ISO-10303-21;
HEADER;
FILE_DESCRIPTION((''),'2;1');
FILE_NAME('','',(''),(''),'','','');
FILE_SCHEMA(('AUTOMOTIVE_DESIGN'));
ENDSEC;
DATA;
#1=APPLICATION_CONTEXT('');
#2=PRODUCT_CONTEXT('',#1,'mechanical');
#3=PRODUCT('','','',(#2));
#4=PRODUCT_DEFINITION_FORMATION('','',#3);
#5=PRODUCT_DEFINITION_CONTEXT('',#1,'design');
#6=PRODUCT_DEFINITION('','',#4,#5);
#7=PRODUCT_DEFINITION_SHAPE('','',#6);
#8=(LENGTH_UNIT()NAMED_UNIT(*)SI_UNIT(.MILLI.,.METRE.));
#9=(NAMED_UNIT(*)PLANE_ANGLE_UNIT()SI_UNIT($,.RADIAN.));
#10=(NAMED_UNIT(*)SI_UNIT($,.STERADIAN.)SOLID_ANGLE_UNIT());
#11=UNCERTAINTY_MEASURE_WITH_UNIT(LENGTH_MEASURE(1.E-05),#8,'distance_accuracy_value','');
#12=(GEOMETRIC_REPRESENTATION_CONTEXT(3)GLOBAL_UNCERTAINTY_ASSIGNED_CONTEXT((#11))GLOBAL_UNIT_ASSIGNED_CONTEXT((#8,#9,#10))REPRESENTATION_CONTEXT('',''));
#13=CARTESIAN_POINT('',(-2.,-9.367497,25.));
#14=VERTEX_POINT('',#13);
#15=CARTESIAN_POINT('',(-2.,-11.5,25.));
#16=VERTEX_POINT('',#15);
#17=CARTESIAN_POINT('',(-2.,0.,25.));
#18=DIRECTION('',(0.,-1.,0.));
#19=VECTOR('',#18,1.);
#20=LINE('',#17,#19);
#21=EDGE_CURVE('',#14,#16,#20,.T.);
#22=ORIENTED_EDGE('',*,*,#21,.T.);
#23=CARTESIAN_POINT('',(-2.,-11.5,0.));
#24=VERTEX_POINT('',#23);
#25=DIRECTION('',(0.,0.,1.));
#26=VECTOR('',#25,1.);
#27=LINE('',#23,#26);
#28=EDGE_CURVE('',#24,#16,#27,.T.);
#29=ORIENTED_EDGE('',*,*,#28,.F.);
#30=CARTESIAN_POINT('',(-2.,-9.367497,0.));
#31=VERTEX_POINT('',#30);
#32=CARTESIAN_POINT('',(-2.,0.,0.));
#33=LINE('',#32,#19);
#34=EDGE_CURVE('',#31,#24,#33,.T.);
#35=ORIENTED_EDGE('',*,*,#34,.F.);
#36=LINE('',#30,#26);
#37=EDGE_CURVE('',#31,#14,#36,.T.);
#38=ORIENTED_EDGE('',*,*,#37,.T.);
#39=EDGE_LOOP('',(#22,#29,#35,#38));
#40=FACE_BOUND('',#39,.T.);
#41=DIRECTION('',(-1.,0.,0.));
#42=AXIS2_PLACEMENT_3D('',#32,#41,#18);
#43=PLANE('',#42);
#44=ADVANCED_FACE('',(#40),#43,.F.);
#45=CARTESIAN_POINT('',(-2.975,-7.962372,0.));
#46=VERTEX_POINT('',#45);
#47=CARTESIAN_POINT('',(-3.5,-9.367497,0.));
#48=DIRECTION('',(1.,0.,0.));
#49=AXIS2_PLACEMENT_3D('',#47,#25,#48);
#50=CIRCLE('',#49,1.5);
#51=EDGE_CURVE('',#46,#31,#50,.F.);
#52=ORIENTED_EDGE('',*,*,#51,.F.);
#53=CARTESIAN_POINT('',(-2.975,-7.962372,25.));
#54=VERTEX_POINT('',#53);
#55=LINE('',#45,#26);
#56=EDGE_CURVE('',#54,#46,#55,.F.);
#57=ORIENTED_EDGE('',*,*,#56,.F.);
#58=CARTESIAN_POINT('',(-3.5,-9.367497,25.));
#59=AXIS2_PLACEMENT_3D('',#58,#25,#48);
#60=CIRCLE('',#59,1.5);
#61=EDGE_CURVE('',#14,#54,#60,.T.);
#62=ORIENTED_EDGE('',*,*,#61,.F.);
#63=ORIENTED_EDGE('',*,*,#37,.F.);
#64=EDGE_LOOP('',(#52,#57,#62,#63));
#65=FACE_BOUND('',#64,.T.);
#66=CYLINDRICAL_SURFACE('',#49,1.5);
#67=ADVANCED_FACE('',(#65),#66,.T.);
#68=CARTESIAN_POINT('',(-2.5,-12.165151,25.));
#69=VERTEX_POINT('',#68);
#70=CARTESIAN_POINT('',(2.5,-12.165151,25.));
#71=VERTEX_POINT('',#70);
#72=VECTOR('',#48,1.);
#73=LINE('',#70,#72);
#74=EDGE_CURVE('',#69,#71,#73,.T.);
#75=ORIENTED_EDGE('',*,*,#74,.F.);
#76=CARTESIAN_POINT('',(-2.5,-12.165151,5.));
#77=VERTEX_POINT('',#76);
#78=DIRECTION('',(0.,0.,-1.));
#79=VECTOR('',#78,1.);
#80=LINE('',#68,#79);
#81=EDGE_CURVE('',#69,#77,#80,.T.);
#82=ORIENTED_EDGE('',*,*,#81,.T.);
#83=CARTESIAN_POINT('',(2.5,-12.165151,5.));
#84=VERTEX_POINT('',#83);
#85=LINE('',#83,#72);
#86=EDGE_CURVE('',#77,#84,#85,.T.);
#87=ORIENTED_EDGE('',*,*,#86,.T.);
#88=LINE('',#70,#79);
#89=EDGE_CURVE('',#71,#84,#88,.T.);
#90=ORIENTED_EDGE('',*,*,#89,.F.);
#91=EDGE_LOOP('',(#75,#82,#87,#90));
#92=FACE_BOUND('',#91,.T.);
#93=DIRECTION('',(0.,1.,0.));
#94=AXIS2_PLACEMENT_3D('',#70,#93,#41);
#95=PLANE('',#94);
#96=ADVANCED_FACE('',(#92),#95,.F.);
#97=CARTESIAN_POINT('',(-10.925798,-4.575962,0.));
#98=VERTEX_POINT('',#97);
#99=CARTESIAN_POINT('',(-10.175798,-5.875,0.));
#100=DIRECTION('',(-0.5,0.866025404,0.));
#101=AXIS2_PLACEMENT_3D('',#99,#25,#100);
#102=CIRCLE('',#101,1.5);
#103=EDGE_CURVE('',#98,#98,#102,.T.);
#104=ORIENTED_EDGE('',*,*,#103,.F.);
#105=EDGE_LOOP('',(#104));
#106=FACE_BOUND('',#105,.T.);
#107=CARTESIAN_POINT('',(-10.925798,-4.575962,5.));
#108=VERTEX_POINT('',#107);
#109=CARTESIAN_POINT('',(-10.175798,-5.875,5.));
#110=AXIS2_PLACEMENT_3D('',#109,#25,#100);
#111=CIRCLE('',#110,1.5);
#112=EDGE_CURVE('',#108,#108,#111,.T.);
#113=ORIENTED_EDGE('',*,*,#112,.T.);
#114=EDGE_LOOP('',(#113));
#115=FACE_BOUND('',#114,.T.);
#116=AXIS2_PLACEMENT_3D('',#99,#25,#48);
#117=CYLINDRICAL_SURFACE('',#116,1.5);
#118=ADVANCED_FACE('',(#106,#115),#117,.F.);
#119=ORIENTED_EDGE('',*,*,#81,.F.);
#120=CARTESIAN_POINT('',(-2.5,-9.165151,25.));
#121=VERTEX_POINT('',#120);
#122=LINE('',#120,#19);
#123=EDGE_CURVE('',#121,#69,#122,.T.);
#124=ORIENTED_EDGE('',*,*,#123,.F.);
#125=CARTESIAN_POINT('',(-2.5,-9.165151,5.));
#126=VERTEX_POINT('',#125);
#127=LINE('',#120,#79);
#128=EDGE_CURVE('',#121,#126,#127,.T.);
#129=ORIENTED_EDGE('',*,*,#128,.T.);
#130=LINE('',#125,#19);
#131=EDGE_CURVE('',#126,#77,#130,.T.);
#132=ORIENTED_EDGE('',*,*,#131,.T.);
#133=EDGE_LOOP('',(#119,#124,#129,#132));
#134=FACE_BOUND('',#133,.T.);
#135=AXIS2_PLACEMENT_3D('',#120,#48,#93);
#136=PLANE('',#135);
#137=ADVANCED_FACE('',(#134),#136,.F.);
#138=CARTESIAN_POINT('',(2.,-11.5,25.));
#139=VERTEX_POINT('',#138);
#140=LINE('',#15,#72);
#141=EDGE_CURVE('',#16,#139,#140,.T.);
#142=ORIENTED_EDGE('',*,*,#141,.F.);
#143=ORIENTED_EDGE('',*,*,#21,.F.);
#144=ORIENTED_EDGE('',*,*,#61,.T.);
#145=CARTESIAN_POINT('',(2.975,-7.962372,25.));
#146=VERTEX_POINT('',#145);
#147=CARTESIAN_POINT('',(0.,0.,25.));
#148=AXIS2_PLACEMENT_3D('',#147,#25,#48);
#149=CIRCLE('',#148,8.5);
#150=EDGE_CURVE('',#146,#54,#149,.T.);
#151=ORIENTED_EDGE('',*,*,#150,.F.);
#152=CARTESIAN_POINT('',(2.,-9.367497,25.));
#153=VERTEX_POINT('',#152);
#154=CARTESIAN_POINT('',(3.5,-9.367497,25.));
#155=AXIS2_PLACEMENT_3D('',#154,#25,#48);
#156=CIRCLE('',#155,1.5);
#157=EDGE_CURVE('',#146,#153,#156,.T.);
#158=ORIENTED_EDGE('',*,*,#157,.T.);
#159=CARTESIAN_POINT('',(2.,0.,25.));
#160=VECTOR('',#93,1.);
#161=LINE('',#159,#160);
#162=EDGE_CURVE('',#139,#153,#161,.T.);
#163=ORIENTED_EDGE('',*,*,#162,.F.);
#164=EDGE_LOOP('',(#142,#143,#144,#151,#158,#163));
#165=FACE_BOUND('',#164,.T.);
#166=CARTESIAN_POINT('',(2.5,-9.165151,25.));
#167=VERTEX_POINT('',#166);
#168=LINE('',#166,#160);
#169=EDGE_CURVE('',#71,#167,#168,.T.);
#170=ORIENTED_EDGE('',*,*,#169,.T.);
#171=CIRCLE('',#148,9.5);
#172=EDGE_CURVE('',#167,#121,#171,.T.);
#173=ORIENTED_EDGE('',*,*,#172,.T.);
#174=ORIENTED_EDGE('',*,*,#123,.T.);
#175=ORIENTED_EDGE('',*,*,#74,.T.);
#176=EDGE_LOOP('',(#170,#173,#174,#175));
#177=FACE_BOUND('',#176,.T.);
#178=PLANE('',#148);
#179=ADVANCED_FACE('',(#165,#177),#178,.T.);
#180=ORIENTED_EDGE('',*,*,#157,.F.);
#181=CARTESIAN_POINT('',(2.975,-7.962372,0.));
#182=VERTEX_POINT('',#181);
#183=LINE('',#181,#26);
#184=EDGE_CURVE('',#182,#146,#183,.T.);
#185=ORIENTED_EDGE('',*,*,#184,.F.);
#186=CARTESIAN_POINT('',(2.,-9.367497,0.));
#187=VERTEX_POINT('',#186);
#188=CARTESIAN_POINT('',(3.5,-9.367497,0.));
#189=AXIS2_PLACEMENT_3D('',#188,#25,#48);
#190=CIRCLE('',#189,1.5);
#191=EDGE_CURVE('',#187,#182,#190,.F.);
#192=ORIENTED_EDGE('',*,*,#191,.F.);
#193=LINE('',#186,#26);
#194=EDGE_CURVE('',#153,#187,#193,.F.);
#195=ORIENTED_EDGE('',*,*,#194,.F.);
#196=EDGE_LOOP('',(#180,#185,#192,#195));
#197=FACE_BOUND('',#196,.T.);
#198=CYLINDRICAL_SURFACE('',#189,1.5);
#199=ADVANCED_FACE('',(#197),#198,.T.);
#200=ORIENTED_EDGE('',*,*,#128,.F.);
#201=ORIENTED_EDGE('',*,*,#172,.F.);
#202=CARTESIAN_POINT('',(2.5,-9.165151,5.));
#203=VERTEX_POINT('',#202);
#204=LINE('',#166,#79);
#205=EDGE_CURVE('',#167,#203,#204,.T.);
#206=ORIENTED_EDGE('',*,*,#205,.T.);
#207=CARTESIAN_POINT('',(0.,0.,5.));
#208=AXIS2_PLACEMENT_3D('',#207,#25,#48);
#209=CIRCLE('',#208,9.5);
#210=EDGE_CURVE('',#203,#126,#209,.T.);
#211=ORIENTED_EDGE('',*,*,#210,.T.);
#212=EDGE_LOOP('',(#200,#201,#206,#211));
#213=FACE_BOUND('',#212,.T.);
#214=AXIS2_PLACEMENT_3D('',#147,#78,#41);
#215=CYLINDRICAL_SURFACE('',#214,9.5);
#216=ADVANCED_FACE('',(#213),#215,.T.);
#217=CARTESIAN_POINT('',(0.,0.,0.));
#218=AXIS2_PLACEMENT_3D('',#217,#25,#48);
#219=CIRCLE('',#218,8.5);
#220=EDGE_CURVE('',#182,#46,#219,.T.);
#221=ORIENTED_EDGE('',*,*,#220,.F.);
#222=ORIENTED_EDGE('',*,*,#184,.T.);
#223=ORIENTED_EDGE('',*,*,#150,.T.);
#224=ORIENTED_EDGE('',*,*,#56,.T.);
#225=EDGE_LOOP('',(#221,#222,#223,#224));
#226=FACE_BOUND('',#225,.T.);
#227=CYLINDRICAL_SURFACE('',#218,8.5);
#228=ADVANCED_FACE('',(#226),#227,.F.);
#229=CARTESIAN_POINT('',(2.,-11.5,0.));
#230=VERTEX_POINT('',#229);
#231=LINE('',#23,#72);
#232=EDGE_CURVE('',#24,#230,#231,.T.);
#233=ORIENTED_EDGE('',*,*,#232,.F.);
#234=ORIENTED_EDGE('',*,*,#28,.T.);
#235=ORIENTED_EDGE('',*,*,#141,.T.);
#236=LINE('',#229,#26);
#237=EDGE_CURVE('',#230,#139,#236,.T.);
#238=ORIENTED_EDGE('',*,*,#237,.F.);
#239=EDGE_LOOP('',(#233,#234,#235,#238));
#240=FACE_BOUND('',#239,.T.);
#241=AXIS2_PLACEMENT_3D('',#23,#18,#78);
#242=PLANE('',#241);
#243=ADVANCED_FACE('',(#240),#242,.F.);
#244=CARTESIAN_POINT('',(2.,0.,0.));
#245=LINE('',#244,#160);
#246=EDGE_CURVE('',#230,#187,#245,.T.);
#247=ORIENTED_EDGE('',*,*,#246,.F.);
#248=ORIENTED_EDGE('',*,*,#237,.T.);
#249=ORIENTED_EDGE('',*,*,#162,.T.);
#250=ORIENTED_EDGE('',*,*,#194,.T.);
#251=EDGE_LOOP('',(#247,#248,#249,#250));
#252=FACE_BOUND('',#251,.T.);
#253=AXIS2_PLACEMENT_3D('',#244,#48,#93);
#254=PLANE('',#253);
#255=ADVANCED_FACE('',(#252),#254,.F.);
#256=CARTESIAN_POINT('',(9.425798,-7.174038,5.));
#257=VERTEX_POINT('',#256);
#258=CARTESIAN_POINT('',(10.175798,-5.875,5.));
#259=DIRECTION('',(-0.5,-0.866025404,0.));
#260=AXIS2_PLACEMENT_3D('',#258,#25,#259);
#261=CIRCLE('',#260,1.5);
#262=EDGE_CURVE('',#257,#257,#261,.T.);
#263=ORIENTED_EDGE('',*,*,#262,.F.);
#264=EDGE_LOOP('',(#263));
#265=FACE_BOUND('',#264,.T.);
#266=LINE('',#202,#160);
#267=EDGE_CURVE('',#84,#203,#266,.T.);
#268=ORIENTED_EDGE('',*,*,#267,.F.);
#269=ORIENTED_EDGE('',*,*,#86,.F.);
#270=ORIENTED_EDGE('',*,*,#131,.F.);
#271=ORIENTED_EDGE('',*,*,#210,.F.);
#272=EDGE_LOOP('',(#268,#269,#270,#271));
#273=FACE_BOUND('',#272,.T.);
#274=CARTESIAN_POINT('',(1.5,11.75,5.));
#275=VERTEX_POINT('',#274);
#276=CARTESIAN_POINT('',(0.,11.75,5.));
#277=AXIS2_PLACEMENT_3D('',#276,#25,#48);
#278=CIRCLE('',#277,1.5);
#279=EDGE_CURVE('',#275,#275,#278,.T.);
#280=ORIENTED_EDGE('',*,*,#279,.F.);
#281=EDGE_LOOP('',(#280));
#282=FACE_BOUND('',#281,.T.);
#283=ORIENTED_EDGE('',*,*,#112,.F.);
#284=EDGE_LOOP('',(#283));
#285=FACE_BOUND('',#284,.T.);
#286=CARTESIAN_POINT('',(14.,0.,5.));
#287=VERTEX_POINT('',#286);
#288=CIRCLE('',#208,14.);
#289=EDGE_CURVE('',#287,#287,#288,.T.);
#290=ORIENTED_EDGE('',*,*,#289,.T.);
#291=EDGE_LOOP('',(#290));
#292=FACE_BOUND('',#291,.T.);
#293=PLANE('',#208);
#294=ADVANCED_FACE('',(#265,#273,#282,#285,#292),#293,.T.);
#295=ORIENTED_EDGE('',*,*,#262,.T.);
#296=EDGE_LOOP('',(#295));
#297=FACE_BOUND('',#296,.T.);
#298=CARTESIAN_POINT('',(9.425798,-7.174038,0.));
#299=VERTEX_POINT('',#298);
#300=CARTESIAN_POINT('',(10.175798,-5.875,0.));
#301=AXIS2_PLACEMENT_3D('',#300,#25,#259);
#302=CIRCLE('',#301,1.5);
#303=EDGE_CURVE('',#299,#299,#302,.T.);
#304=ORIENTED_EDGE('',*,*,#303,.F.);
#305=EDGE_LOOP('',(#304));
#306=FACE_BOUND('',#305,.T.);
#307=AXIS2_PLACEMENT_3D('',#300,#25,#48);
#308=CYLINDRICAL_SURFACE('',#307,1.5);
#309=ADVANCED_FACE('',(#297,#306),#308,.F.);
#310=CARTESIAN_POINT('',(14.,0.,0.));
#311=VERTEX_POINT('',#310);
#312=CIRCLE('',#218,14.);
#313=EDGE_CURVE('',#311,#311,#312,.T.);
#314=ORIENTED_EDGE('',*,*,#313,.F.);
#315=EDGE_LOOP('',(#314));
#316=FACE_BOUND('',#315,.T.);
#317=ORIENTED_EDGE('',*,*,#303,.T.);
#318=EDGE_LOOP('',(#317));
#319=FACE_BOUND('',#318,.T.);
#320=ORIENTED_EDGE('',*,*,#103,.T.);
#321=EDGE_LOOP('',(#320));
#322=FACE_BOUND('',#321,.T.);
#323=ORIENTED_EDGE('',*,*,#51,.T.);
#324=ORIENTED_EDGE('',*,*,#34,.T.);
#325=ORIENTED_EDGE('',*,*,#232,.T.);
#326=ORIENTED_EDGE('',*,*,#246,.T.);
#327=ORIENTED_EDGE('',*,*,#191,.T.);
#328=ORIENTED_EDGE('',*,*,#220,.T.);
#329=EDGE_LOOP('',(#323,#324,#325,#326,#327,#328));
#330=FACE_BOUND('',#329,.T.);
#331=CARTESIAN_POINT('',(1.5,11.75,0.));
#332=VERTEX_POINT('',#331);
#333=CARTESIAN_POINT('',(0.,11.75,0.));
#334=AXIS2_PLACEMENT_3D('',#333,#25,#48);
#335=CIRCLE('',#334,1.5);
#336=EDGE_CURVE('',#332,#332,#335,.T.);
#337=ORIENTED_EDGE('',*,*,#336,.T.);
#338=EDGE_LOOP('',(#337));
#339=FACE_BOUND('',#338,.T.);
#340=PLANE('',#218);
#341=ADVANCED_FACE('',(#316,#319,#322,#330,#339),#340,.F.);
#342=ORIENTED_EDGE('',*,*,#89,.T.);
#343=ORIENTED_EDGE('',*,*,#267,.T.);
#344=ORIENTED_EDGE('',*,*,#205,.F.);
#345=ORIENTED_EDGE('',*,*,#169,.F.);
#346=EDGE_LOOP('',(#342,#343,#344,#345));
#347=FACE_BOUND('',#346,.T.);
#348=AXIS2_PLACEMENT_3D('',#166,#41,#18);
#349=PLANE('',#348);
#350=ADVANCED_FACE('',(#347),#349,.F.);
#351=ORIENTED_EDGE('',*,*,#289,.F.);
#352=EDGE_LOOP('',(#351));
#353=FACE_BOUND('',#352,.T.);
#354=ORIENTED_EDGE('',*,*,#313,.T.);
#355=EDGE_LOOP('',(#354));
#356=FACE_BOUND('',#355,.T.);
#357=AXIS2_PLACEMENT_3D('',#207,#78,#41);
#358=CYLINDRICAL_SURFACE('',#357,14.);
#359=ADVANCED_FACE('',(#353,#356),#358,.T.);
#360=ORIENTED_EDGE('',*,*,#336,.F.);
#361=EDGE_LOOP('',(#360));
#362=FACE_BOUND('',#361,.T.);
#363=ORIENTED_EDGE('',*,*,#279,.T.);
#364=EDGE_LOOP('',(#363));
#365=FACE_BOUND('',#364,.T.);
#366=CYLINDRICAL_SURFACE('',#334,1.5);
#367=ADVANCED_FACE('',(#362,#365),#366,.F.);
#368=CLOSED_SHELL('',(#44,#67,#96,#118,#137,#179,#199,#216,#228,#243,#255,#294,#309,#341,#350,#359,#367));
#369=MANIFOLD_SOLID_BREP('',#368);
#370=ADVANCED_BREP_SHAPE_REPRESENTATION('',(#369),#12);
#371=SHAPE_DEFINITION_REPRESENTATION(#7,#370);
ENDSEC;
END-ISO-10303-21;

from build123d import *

# Parameters (mm, degrees)
SKETCH1_R           = 14
BOSS_EXTRUDE1_DEPTH = 5
BOSS_EXTRUDE3_DEPTH = 20
SKETCH3_R           = 8.5
CUT_EXTRUDE1_DEPTH  = 26
SKETCH5_W           = 4
SKETCH5_H           = 11.5
CUT_EXTRUDE3_DEPTH  = 26
SKETCH6_R           = 1.5
CUT_EXTRUDE4_DEPTH  = 6
CIRPATTERN1_COUNT   = 3
FILLET1_R           = 1.5


with BuildPart() as part:
    # Sketch1 → Boss-Extrude1 (new body)
    with BuildSketch(Plane.XY):
        Circle(SKETCH1_R)
    extrude(amount=BOSS_EXTRUDE1_DEPTH)

    # Sketch2 → Boss-Extrude3 (add)
    with BuildSketch(Plane.XY.offset(5)):
        with BuildLine():
            Line((2.5, -9.16515139), (2.5, -12.16515139))
            Line((2.5, -12.16515139), (-2.5, -12.16515139))
            Line((-2.5, -12.16515139), (-2.5, -9.16515139))
            ThreePointArc((-2.5, -9.16515139), (0, 9.5), (2.5, -9.16515139))
        make_face()
    extrude(amount=BOSS_EXTRUDE3_DEPTH)

    # Sketch3 → Cut-Extrude1 (cut, through all)
    with BuildSketch(Plane.XY.offset(25)):
        Circle(SKETCH3_R)
    extrude(amount=-CUT_EXTRUDE1_DEPTH, mode=Mode.SUBTRACT)

    # Sketch5 → Cut-Extrude3 (cut, through all)
    with BuildSketch(Plane.XY.offset(25)):
        with Locations((0, -5.75)):
            Rectangle(SKETCH5_W, SKETCH5_H)
    extrude(amount=-CUT_EXTRUDE3_DEPTH, mode=Mode.SUBTRACT)

    # Sketch6 → Cut-Extrude4 (cut, through all)
    with BuildSketch(Plane.XY.offset(5)):
        with Locations((0, 11.75)):
            Circle(SKETCH6_R)
    cut_extrude4 = extrude(amount=-CUT_EXTRUDE4_DEPTH, mode=Mode.SUBTRACT)

    # CirPattern1: Cut-Extrude4 ×3 about axis
    cirpattern1_axis = Axis((0, 0, 0), (0, 0, 1))
    for i in range(1, CIRPATTERN1_COUNT):
        add(cut_extrude4.rotate(cirpattern1_axis, i * 360 / CIRPATTERN1_COUNT), mode=Mode.SUBTRACT)

    # Fillet1
    fillet1_edges = [part.edges().sort_by_distance(p)[0] for p in [
        (2, -8.261355821, 12.5),
        (-2, -8.261355821, 12.5),
    ]]
    fillet(fillet1_edges, radius=FILLET1_R)


solid = part.part
